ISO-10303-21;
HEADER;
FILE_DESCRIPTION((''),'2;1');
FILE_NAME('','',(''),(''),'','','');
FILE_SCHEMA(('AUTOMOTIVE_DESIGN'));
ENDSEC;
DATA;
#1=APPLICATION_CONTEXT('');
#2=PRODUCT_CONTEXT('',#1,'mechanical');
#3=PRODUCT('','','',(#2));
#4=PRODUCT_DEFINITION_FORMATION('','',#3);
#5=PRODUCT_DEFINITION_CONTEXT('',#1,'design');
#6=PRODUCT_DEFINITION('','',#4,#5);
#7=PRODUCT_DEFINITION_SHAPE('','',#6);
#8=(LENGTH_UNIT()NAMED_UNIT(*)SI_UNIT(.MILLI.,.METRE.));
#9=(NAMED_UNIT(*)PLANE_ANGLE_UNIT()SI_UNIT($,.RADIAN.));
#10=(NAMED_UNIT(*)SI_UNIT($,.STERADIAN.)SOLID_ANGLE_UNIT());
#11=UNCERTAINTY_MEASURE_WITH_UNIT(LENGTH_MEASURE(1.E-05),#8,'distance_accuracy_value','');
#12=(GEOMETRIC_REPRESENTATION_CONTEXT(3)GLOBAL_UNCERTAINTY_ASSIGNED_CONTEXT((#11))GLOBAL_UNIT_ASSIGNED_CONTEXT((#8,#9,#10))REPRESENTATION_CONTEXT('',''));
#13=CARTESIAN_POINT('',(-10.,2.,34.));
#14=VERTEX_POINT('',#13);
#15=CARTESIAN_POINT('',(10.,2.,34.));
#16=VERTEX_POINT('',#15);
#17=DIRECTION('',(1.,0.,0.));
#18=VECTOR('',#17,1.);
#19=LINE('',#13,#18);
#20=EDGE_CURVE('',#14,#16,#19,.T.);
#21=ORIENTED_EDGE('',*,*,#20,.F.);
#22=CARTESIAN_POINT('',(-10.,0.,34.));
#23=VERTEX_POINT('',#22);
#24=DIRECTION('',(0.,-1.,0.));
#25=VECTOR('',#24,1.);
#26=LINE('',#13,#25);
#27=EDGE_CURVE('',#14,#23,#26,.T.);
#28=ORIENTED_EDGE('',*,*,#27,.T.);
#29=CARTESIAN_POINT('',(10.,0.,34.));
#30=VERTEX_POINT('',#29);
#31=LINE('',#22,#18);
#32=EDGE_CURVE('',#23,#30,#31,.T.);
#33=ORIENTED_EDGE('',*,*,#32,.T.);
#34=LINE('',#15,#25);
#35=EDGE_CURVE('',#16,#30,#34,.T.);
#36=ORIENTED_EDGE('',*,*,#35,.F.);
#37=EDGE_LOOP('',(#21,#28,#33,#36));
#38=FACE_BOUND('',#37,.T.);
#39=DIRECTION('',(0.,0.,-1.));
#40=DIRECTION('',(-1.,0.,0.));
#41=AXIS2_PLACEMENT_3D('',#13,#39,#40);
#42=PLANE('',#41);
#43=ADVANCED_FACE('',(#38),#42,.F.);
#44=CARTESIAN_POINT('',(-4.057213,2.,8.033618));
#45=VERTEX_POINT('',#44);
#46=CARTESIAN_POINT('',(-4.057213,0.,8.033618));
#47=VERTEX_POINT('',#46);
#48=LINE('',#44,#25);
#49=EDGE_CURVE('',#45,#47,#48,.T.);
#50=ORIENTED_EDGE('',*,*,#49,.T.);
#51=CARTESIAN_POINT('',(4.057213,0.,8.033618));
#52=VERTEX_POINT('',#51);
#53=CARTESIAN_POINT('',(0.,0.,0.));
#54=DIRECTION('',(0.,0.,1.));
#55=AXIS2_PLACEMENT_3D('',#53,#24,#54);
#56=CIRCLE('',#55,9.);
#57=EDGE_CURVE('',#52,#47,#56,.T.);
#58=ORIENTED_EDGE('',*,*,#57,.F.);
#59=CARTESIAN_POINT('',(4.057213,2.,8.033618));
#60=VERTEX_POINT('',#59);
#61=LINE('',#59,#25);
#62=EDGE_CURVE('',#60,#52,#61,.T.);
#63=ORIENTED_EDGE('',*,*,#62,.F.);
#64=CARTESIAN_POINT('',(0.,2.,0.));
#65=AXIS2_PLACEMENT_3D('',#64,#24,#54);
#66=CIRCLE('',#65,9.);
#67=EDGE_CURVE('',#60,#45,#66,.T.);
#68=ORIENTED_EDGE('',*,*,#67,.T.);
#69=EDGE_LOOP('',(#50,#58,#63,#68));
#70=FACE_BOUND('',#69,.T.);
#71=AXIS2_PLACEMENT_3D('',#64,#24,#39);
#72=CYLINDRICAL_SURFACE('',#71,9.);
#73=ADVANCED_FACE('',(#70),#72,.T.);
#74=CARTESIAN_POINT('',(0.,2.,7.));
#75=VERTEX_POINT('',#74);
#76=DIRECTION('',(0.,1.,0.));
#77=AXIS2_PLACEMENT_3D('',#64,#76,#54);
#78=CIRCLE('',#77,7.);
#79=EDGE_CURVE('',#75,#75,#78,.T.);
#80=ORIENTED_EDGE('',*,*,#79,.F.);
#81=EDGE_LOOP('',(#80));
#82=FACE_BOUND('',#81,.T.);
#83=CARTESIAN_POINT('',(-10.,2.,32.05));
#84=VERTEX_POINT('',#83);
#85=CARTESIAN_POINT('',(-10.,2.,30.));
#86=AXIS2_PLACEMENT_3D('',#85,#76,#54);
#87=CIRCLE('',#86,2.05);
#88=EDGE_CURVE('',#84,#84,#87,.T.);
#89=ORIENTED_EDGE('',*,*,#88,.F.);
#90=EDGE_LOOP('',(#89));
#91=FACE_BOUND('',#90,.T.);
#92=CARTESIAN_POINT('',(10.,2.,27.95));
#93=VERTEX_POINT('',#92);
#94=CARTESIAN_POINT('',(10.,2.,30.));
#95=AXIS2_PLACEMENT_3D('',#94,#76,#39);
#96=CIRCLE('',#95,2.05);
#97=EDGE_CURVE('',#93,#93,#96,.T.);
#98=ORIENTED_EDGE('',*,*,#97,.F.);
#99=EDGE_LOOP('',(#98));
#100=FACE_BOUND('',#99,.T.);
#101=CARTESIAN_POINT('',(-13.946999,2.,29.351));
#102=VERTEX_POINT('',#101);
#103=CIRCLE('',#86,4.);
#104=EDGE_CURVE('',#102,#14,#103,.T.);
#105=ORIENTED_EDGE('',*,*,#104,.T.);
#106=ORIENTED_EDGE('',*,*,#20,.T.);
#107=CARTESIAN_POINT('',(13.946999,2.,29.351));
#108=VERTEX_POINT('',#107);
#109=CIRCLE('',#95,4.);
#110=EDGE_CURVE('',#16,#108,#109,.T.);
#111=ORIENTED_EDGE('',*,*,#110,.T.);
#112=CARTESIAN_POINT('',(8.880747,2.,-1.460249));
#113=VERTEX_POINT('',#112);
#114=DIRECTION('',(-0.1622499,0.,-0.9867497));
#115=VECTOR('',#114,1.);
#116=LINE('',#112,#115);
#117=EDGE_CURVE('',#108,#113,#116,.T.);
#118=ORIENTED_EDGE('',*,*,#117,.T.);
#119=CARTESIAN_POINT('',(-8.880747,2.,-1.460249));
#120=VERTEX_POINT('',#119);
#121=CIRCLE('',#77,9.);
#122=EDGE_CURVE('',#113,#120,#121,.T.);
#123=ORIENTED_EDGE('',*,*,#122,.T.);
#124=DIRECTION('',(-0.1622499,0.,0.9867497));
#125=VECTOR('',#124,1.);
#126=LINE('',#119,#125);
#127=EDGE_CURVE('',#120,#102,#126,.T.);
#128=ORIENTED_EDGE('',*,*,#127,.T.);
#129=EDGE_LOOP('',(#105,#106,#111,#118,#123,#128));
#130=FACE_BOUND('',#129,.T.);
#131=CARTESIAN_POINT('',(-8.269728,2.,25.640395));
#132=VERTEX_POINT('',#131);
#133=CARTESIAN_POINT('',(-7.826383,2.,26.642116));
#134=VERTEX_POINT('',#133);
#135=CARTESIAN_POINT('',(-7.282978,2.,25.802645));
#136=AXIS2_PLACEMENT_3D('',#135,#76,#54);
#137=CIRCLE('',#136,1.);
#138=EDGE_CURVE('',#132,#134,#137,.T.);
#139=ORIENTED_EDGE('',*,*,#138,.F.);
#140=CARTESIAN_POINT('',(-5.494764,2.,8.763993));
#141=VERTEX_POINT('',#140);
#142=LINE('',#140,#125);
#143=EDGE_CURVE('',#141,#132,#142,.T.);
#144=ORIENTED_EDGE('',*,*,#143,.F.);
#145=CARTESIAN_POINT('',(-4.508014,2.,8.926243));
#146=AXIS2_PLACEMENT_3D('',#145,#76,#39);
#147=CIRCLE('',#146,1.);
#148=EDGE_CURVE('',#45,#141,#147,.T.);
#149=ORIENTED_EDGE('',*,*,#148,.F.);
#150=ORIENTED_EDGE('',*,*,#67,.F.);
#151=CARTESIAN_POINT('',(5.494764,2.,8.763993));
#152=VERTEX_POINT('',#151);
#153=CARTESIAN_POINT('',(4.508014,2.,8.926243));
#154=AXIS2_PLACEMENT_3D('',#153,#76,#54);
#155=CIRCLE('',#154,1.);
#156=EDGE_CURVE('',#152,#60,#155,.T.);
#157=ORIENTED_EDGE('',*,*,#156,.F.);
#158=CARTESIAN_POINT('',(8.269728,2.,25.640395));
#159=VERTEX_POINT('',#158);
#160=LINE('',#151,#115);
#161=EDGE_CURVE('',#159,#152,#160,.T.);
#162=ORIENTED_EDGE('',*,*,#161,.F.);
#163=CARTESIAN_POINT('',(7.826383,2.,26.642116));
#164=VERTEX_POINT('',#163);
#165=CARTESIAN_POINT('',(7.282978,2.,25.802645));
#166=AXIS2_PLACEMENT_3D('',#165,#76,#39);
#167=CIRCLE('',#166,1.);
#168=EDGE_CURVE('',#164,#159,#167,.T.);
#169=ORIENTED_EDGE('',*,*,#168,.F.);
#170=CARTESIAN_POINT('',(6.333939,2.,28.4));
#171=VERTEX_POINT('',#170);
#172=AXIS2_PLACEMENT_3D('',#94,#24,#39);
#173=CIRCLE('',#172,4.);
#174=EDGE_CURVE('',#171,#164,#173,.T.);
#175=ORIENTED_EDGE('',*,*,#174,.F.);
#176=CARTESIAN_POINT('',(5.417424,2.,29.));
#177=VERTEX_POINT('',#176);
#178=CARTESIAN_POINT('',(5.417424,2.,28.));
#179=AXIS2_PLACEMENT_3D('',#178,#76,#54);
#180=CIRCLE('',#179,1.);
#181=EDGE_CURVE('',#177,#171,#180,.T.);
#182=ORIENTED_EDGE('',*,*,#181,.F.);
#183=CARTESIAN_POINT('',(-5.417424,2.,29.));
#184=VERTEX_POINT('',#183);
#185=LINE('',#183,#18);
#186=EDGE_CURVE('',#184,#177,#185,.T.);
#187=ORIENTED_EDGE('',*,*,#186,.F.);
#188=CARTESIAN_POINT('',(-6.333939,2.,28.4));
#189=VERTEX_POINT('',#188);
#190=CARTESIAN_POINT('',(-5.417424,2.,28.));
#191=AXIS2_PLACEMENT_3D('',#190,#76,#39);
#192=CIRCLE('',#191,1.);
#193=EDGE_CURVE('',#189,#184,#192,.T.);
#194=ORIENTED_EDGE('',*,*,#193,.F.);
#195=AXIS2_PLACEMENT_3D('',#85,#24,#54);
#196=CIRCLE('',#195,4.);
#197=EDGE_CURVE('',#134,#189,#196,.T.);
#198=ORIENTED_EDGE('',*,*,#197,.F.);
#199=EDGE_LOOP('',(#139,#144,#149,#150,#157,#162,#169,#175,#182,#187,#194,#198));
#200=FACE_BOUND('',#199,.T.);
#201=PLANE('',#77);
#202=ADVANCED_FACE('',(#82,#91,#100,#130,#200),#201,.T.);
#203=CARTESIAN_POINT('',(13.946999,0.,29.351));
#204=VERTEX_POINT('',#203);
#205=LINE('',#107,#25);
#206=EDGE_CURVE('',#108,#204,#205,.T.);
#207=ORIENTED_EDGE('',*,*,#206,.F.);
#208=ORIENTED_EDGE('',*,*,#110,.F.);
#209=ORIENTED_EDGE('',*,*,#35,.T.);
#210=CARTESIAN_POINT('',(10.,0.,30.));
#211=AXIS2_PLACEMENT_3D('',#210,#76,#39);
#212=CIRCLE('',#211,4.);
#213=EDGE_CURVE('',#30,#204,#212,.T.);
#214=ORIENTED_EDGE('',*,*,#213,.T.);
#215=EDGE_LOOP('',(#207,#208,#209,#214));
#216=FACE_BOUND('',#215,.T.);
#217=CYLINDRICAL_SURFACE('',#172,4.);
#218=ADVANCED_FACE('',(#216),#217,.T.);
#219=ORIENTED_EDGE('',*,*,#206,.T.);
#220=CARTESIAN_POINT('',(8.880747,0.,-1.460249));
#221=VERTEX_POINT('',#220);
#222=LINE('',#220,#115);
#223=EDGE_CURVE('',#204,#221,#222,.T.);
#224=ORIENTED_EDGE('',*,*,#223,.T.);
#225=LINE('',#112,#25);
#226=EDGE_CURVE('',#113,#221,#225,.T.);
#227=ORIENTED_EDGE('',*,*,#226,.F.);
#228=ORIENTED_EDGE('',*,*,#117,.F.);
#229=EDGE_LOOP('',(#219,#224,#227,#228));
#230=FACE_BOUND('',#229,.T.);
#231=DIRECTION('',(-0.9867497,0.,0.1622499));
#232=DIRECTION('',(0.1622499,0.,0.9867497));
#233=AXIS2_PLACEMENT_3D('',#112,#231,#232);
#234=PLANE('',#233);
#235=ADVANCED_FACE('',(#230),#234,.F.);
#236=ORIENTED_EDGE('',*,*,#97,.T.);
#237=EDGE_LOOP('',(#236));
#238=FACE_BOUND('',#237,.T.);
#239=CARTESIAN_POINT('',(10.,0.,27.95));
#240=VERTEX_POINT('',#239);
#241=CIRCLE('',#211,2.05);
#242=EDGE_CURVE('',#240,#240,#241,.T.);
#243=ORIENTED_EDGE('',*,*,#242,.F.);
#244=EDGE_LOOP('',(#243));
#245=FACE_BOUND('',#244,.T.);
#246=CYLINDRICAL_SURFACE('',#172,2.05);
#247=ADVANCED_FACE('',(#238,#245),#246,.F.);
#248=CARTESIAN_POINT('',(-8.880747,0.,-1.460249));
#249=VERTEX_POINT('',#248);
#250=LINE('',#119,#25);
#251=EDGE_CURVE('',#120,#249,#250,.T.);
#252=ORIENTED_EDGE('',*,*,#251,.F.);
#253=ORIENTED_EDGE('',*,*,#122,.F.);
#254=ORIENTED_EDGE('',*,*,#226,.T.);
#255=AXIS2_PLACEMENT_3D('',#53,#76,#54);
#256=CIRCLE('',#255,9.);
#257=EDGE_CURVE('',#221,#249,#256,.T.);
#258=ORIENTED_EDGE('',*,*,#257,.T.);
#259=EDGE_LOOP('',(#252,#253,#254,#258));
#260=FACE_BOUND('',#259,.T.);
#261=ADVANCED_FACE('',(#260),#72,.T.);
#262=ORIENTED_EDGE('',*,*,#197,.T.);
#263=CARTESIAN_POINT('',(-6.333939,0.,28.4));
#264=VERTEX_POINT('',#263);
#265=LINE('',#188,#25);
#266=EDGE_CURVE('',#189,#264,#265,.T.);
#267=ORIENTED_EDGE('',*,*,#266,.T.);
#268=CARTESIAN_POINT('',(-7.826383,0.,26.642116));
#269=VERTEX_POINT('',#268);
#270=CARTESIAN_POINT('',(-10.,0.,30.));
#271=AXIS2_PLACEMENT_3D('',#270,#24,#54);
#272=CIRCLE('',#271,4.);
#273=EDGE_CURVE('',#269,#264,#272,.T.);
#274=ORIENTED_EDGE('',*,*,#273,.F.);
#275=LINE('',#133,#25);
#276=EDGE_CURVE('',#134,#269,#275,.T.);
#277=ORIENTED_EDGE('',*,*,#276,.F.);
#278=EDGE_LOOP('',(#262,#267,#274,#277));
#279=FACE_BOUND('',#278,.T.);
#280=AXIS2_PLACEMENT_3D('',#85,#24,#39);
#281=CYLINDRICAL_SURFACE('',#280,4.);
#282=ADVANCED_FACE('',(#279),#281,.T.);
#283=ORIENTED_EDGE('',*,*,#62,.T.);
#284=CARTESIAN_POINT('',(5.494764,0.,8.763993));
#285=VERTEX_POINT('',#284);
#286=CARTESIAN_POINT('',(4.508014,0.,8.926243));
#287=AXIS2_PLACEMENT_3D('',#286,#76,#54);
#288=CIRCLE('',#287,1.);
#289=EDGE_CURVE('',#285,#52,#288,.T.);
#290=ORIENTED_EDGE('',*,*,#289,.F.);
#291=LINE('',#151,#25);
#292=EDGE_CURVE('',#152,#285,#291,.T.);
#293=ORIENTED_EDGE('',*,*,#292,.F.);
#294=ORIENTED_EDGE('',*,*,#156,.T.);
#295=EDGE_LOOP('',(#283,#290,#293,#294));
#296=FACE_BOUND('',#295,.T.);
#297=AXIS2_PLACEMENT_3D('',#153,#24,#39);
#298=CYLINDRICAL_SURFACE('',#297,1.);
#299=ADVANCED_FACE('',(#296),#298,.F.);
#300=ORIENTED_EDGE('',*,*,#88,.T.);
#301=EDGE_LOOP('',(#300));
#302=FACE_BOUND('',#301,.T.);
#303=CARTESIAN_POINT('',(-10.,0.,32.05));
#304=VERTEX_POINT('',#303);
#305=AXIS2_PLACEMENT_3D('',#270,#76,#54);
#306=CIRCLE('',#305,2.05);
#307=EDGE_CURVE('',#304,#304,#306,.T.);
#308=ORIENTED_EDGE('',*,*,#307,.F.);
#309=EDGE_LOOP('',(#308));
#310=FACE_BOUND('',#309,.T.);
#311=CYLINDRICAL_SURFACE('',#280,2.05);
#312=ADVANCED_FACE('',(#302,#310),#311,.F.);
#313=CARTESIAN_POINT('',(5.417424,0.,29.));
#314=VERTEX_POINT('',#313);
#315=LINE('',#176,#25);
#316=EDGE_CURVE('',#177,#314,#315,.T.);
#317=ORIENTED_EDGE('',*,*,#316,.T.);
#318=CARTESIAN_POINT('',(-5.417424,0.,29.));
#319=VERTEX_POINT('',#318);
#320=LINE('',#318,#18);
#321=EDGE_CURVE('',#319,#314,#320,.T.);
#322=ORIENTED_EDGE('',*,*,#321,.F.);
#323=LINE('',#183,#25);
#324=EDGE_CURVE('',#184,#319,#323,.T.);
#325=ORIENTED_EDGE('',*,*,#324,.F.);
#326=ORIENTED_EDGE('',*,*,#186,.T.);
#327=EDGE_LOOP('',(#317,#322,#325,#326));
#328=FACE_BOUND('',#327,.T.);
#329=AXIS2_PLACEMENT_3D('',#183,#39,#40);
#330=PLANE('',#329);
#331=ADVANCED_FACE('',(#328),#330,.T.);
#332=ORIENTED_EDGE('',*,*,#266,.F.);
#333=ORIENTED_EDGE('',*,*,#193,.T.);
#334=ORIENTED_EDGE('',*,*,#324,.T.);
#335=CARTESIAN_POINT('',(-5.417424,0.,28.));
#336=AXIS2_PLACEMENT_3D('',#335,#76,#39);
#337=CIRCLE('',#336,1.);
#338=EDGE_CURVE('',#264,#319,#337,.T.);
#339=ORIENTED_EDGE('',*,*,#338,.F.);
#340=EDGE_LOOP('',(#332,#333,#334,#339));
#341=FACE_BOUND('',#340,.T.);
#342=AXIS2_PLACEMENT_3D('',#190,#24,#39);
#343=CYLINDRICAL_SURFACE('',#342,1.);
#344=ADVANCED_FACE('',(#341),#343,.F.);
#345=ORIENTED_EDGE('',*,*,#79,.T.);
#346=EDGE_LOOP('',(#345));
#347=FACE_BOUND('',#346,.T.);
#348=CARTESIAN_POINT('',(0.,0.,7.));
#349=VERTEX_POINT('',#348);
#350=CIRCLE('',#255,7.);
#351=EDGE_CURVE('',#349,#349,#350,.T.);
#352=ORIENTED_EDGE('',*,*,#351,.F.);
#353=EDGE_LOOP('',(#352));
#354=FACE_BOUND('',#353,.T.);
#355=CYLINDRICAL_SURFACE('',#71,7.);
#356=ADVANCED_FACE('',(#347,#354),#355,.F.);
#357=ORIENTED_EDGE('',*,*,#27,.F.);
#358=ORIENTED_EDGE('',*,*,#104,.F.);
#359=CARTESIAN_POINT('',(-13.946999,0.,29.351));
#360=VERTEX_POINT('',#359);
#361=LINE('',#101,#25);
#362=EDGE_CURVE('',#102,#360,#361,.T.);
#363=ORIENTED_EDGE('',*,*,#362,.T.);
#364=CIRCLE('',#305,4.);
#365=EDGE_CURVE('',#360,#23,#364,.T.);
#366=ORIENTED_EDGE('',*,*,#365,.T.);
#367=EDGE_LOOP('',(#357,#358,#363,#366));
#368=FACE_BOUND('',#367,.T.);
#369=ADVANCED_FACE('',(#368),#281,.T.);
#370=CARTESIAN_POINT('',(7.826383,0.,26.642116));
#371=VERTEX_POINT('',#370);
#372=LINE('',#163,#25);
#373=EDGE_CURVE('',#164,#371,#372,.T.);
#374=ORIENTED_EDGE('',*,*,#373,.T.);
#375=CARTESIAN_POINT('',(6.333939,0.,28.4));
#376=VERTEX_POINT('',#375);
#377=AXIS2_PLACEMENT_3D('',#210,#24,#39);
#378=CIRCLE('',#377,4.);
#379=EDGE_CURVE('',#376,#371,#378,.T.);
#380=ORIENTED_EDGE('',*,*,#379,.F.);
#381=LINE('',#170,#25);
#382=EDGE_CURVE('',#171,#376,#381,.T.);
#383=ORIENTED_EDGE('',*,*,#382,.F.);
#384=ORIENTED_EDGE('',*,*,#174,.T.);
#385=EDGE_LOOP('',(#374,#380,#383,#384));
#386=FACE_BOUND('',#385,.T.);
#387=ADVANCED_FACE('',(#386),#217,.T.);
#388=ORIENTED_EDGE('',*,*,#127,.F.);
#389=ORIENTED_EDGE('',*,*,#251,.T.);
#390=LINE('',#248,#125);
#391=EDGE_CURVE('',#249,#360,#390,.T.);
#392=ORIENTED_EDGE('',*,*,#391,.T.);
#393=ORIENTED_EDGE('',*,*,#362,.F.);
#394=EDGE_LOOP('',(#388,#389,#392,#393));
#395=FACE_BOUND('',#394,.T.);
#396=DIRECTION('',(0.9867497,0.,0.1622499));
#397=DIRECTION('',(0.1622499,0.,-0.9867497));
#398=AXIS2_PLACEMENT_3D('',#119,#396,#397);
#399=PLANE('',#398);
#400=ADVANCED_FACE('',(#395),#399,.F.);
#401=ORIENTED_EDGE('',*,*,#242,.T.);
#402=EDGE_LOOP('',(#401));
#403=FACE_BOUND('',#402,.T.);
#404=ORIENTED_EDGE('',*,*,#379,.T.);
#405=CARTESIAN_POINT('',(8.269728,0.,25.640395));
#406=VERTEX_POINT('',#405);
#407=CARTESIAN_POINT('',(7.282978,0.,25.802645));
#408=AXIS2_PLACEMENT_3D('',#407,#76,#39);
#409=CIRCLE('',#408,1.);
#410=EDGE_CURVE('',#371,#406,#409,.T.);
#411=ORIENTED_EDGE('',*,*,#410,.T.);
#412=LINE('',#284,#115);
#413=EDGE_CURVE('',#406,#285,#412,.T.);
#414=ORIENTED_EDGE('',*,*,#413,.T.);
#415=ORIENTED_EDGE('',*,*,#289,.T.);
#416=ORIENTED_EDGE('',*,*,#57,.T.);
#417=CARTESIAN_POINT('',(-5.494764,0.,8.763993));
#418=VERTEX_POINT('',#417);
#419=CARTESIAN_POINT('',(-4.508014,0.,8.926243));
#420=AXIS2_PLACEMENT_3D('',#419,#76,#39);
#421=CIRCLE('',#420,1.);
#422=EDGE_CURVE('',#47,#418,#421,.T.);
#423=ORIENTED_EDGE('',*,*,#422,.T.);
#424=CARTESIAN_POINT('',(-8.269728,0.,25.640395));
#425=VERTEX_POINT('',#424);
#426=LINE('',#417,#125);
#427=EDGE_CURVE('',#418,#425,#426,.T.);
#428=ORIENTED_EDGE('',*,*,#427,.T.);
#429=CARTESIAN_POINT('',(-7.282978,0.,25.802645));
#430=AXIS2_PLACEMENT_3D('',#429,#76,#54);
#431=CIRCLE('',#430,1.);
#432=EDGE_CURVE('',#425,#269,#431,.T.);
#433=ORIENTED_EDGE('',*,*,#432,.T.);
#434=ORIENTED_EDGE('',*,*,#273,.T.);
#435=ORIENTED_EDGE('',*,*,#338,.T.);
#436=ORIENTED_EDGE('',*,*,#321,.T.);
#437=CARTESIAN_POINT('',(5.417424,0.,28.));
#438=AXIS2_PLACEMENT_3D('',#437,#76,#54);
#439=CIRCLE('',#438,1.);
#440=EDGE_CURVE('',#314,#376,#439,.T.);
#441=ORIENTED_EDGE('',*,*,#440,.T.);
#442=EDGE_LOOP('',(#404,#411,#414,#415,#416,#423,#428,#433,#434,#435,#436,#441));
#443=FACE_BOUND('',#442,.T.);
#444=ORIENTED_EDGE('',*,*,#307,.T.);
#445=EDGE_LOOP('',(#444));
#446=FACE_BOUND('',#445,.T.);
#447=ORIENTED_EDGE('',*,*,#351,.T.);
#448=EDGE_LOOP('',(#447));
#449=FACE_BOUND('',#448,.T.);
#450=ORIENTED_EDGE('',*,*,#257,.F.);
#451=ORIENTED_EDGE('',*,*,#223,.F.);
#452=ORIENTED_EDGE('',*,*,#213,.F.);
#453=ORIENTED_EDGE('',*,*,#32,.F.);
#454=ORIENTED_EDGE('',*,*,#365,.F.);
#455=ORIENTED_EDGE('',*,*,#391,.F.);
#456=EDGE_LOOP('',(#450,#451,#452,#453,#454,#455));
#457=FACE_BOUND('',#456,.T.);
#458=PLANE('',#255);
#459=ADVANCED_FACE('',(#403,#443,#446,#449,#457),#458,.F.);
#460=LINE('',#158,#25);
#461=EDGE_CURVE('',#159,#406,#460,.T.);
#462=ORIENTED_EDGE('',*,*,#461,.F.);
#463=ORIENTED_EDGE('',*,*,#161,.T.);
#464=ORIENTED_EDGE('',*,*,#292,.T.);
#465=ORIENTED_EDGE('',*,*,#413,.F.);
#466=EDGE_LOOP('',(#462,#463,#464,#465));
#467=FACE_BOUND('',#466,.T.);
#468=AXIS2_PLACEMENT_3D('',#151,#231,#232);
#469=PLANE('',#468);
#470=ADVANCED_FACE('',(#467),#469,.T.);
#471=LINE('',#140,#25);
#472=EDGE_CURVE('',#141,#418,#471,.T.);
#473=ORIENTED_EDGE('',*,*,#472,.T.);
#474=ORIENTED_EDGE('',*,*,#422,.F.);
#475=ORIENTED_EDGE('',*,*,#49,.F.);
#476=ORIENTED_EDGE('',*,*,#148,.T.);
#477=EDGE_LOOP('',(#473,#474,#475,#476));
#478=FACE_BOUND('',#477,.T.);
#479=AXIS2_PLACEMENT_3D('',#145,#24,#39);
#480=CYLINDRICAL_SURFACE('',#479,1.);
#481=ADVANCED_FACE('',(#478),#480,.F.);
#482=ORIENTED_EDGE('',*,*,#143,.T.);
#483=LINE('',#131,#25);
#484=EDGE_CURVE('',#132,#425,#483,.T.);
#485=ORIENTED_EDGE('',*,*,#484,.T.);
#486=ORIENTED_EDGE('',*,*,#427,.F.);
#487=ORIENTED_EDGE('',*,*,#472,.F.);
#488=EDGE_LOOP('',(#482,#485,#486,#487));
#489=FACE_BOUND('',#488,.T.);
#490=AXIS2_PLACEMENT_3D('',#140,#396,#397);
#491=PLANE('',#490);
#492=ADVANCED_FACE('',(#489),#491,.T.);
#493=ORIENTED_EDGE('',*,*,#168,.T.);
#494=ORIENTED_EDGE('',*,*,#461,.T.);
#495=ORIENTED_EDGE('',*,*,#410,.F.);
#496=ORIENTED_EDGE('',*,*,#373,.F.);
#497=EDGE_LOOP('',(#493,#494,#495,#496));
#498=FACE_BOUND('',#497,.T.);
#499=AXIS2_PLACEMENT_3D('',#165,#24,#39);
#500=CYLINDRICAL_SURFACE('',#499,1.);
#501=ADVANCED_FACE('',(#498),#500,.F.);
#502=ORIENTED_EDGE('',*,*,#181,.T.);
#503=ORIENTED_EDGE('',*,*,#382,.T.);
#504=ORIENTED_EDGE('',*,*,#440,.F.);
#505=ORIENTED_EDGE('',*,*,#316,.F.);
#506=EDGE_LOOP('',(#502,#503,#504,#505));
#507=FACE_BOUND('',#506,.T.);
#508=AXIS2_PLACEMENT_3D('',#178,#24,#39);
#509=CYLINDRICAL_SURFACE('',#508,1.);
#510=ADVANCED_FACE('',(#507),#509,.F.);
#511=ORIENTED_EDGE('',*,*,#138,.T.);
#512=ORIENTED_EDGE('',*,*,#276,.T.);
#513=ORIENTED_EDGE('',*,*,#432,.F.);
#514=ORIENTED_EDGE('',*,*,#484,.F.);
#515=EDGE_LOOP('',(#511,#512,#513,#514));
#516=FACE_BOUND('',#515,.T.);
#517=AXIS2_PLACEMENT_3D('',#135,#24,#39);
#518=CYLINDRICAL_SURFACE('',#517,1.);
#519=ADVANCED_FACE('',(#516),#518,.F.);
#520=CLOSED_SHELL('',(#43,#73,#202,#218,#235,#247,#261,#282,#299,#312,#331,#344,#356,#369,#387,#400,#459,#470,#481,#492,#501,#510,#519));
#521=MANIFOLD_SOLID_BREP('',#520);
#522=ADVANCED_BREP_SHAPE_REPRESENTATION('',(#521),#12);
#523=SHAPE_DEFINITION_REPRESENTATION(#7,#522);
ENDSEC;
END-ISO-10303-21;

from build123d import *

# Parameters (mm, degrees)
SKETCH1_R           = 7
SKETCH1_R_2         = 2.05
BOSS_EXTRUDE1_DEPTH = 2


with BuildPart() as part:
    # Sketch1 → Boss-Extrude1 (new body)
    with BuildSketch(Plane(origin=(0, 0, 0), x_dir=(1, 0, 0), z_dir=(0, 1, 0))):
        with BuildLine():
            Line((-8.880747298, 1.460249099), (-13.946998799, -29.3510004))
            ThreePointArc((-13.946998799, -29.3510004), (-13.049262075, -32.588822281), (-10, -34))
            Line((-10, -34), (10, -34))
            ThreePointArc((10, -34), (13.049262075, -32.588822281), (13.946998799, -29.3510004))
            Line((13.946998799, -29.3510004), (8.880747298, 1.460249099))
            ThreePointArc((8.880747298, 1.460249099), (0, 9), (-8.880747298, 1.460249099))
        make_face()
        with Locations(Location((0, 0, 0), (0, 0, 270))):
            Circle(SKETCH1_R, mode=Mode.SUBTRACT)
        with Locations(Location((-10, -30, 0), (0, 0, 270))):
            Circle(SKETCH1_R_2, mode=Mode.SUBTRACT)
        with Locations(Location((10, -30, 0), (0, 0, 90))):
            Circle(SKETCH1_R_2, mode=Mode.SUBTRACT)
        with BuildLine():
            Line((-5.494764199, -8.763992606), (-8.269727852, -25.640394709))
            ThreePointArc((-8.269727852, -25.640394709), (-8.197420113, -26.207361672), (-7.826382522, -26.642115687))
            ThreePointArc((-7.826382522, -26.642115687), (-6.950737925, -27.411177719), (-6.333939444, -28.4))
            ThreePointArc((-6.333939444, -28.4), (-5.965146863, -28.836660027), (-5.417424305, -29))
            Line((-5.417424305, -29), (5.417424305, -29))
            ThreePointArc((5.417424305, -29), (5.965146863, -28.836660027), (6.333939444, -28.4))
            ThreePointArc((6.333939444, -28.4), (6.950737925, -27.411177719), (7.826382522, -26.642115687))
            ThreePointArc((7.826382522, -26.642115687), (8.197420113, -26.207361672), (8.269727852, -25.640394709))
            Line((8.269727852, -25.640394709), (5.494764199, -8.763992606))
            ThreePointArc((5.494764199, -8.763992606), (4.960973443, -8.03471113), (4.057213049, -8.033618256))
            ThreePointArc((4.057213049, -8.033618256), (0, -9), (-4.057213049, -8.033618256))
            ThreePointArc((-4.057213049, -8.033618256), (-4.960973443, -8.03471113), (-5.494764199, -8.763992606))
        make_face(mode=Mode.SUBTRACT)
    extrude(amount=BOSS_EXTRUDE1_DEPTH)


solid = part.part
